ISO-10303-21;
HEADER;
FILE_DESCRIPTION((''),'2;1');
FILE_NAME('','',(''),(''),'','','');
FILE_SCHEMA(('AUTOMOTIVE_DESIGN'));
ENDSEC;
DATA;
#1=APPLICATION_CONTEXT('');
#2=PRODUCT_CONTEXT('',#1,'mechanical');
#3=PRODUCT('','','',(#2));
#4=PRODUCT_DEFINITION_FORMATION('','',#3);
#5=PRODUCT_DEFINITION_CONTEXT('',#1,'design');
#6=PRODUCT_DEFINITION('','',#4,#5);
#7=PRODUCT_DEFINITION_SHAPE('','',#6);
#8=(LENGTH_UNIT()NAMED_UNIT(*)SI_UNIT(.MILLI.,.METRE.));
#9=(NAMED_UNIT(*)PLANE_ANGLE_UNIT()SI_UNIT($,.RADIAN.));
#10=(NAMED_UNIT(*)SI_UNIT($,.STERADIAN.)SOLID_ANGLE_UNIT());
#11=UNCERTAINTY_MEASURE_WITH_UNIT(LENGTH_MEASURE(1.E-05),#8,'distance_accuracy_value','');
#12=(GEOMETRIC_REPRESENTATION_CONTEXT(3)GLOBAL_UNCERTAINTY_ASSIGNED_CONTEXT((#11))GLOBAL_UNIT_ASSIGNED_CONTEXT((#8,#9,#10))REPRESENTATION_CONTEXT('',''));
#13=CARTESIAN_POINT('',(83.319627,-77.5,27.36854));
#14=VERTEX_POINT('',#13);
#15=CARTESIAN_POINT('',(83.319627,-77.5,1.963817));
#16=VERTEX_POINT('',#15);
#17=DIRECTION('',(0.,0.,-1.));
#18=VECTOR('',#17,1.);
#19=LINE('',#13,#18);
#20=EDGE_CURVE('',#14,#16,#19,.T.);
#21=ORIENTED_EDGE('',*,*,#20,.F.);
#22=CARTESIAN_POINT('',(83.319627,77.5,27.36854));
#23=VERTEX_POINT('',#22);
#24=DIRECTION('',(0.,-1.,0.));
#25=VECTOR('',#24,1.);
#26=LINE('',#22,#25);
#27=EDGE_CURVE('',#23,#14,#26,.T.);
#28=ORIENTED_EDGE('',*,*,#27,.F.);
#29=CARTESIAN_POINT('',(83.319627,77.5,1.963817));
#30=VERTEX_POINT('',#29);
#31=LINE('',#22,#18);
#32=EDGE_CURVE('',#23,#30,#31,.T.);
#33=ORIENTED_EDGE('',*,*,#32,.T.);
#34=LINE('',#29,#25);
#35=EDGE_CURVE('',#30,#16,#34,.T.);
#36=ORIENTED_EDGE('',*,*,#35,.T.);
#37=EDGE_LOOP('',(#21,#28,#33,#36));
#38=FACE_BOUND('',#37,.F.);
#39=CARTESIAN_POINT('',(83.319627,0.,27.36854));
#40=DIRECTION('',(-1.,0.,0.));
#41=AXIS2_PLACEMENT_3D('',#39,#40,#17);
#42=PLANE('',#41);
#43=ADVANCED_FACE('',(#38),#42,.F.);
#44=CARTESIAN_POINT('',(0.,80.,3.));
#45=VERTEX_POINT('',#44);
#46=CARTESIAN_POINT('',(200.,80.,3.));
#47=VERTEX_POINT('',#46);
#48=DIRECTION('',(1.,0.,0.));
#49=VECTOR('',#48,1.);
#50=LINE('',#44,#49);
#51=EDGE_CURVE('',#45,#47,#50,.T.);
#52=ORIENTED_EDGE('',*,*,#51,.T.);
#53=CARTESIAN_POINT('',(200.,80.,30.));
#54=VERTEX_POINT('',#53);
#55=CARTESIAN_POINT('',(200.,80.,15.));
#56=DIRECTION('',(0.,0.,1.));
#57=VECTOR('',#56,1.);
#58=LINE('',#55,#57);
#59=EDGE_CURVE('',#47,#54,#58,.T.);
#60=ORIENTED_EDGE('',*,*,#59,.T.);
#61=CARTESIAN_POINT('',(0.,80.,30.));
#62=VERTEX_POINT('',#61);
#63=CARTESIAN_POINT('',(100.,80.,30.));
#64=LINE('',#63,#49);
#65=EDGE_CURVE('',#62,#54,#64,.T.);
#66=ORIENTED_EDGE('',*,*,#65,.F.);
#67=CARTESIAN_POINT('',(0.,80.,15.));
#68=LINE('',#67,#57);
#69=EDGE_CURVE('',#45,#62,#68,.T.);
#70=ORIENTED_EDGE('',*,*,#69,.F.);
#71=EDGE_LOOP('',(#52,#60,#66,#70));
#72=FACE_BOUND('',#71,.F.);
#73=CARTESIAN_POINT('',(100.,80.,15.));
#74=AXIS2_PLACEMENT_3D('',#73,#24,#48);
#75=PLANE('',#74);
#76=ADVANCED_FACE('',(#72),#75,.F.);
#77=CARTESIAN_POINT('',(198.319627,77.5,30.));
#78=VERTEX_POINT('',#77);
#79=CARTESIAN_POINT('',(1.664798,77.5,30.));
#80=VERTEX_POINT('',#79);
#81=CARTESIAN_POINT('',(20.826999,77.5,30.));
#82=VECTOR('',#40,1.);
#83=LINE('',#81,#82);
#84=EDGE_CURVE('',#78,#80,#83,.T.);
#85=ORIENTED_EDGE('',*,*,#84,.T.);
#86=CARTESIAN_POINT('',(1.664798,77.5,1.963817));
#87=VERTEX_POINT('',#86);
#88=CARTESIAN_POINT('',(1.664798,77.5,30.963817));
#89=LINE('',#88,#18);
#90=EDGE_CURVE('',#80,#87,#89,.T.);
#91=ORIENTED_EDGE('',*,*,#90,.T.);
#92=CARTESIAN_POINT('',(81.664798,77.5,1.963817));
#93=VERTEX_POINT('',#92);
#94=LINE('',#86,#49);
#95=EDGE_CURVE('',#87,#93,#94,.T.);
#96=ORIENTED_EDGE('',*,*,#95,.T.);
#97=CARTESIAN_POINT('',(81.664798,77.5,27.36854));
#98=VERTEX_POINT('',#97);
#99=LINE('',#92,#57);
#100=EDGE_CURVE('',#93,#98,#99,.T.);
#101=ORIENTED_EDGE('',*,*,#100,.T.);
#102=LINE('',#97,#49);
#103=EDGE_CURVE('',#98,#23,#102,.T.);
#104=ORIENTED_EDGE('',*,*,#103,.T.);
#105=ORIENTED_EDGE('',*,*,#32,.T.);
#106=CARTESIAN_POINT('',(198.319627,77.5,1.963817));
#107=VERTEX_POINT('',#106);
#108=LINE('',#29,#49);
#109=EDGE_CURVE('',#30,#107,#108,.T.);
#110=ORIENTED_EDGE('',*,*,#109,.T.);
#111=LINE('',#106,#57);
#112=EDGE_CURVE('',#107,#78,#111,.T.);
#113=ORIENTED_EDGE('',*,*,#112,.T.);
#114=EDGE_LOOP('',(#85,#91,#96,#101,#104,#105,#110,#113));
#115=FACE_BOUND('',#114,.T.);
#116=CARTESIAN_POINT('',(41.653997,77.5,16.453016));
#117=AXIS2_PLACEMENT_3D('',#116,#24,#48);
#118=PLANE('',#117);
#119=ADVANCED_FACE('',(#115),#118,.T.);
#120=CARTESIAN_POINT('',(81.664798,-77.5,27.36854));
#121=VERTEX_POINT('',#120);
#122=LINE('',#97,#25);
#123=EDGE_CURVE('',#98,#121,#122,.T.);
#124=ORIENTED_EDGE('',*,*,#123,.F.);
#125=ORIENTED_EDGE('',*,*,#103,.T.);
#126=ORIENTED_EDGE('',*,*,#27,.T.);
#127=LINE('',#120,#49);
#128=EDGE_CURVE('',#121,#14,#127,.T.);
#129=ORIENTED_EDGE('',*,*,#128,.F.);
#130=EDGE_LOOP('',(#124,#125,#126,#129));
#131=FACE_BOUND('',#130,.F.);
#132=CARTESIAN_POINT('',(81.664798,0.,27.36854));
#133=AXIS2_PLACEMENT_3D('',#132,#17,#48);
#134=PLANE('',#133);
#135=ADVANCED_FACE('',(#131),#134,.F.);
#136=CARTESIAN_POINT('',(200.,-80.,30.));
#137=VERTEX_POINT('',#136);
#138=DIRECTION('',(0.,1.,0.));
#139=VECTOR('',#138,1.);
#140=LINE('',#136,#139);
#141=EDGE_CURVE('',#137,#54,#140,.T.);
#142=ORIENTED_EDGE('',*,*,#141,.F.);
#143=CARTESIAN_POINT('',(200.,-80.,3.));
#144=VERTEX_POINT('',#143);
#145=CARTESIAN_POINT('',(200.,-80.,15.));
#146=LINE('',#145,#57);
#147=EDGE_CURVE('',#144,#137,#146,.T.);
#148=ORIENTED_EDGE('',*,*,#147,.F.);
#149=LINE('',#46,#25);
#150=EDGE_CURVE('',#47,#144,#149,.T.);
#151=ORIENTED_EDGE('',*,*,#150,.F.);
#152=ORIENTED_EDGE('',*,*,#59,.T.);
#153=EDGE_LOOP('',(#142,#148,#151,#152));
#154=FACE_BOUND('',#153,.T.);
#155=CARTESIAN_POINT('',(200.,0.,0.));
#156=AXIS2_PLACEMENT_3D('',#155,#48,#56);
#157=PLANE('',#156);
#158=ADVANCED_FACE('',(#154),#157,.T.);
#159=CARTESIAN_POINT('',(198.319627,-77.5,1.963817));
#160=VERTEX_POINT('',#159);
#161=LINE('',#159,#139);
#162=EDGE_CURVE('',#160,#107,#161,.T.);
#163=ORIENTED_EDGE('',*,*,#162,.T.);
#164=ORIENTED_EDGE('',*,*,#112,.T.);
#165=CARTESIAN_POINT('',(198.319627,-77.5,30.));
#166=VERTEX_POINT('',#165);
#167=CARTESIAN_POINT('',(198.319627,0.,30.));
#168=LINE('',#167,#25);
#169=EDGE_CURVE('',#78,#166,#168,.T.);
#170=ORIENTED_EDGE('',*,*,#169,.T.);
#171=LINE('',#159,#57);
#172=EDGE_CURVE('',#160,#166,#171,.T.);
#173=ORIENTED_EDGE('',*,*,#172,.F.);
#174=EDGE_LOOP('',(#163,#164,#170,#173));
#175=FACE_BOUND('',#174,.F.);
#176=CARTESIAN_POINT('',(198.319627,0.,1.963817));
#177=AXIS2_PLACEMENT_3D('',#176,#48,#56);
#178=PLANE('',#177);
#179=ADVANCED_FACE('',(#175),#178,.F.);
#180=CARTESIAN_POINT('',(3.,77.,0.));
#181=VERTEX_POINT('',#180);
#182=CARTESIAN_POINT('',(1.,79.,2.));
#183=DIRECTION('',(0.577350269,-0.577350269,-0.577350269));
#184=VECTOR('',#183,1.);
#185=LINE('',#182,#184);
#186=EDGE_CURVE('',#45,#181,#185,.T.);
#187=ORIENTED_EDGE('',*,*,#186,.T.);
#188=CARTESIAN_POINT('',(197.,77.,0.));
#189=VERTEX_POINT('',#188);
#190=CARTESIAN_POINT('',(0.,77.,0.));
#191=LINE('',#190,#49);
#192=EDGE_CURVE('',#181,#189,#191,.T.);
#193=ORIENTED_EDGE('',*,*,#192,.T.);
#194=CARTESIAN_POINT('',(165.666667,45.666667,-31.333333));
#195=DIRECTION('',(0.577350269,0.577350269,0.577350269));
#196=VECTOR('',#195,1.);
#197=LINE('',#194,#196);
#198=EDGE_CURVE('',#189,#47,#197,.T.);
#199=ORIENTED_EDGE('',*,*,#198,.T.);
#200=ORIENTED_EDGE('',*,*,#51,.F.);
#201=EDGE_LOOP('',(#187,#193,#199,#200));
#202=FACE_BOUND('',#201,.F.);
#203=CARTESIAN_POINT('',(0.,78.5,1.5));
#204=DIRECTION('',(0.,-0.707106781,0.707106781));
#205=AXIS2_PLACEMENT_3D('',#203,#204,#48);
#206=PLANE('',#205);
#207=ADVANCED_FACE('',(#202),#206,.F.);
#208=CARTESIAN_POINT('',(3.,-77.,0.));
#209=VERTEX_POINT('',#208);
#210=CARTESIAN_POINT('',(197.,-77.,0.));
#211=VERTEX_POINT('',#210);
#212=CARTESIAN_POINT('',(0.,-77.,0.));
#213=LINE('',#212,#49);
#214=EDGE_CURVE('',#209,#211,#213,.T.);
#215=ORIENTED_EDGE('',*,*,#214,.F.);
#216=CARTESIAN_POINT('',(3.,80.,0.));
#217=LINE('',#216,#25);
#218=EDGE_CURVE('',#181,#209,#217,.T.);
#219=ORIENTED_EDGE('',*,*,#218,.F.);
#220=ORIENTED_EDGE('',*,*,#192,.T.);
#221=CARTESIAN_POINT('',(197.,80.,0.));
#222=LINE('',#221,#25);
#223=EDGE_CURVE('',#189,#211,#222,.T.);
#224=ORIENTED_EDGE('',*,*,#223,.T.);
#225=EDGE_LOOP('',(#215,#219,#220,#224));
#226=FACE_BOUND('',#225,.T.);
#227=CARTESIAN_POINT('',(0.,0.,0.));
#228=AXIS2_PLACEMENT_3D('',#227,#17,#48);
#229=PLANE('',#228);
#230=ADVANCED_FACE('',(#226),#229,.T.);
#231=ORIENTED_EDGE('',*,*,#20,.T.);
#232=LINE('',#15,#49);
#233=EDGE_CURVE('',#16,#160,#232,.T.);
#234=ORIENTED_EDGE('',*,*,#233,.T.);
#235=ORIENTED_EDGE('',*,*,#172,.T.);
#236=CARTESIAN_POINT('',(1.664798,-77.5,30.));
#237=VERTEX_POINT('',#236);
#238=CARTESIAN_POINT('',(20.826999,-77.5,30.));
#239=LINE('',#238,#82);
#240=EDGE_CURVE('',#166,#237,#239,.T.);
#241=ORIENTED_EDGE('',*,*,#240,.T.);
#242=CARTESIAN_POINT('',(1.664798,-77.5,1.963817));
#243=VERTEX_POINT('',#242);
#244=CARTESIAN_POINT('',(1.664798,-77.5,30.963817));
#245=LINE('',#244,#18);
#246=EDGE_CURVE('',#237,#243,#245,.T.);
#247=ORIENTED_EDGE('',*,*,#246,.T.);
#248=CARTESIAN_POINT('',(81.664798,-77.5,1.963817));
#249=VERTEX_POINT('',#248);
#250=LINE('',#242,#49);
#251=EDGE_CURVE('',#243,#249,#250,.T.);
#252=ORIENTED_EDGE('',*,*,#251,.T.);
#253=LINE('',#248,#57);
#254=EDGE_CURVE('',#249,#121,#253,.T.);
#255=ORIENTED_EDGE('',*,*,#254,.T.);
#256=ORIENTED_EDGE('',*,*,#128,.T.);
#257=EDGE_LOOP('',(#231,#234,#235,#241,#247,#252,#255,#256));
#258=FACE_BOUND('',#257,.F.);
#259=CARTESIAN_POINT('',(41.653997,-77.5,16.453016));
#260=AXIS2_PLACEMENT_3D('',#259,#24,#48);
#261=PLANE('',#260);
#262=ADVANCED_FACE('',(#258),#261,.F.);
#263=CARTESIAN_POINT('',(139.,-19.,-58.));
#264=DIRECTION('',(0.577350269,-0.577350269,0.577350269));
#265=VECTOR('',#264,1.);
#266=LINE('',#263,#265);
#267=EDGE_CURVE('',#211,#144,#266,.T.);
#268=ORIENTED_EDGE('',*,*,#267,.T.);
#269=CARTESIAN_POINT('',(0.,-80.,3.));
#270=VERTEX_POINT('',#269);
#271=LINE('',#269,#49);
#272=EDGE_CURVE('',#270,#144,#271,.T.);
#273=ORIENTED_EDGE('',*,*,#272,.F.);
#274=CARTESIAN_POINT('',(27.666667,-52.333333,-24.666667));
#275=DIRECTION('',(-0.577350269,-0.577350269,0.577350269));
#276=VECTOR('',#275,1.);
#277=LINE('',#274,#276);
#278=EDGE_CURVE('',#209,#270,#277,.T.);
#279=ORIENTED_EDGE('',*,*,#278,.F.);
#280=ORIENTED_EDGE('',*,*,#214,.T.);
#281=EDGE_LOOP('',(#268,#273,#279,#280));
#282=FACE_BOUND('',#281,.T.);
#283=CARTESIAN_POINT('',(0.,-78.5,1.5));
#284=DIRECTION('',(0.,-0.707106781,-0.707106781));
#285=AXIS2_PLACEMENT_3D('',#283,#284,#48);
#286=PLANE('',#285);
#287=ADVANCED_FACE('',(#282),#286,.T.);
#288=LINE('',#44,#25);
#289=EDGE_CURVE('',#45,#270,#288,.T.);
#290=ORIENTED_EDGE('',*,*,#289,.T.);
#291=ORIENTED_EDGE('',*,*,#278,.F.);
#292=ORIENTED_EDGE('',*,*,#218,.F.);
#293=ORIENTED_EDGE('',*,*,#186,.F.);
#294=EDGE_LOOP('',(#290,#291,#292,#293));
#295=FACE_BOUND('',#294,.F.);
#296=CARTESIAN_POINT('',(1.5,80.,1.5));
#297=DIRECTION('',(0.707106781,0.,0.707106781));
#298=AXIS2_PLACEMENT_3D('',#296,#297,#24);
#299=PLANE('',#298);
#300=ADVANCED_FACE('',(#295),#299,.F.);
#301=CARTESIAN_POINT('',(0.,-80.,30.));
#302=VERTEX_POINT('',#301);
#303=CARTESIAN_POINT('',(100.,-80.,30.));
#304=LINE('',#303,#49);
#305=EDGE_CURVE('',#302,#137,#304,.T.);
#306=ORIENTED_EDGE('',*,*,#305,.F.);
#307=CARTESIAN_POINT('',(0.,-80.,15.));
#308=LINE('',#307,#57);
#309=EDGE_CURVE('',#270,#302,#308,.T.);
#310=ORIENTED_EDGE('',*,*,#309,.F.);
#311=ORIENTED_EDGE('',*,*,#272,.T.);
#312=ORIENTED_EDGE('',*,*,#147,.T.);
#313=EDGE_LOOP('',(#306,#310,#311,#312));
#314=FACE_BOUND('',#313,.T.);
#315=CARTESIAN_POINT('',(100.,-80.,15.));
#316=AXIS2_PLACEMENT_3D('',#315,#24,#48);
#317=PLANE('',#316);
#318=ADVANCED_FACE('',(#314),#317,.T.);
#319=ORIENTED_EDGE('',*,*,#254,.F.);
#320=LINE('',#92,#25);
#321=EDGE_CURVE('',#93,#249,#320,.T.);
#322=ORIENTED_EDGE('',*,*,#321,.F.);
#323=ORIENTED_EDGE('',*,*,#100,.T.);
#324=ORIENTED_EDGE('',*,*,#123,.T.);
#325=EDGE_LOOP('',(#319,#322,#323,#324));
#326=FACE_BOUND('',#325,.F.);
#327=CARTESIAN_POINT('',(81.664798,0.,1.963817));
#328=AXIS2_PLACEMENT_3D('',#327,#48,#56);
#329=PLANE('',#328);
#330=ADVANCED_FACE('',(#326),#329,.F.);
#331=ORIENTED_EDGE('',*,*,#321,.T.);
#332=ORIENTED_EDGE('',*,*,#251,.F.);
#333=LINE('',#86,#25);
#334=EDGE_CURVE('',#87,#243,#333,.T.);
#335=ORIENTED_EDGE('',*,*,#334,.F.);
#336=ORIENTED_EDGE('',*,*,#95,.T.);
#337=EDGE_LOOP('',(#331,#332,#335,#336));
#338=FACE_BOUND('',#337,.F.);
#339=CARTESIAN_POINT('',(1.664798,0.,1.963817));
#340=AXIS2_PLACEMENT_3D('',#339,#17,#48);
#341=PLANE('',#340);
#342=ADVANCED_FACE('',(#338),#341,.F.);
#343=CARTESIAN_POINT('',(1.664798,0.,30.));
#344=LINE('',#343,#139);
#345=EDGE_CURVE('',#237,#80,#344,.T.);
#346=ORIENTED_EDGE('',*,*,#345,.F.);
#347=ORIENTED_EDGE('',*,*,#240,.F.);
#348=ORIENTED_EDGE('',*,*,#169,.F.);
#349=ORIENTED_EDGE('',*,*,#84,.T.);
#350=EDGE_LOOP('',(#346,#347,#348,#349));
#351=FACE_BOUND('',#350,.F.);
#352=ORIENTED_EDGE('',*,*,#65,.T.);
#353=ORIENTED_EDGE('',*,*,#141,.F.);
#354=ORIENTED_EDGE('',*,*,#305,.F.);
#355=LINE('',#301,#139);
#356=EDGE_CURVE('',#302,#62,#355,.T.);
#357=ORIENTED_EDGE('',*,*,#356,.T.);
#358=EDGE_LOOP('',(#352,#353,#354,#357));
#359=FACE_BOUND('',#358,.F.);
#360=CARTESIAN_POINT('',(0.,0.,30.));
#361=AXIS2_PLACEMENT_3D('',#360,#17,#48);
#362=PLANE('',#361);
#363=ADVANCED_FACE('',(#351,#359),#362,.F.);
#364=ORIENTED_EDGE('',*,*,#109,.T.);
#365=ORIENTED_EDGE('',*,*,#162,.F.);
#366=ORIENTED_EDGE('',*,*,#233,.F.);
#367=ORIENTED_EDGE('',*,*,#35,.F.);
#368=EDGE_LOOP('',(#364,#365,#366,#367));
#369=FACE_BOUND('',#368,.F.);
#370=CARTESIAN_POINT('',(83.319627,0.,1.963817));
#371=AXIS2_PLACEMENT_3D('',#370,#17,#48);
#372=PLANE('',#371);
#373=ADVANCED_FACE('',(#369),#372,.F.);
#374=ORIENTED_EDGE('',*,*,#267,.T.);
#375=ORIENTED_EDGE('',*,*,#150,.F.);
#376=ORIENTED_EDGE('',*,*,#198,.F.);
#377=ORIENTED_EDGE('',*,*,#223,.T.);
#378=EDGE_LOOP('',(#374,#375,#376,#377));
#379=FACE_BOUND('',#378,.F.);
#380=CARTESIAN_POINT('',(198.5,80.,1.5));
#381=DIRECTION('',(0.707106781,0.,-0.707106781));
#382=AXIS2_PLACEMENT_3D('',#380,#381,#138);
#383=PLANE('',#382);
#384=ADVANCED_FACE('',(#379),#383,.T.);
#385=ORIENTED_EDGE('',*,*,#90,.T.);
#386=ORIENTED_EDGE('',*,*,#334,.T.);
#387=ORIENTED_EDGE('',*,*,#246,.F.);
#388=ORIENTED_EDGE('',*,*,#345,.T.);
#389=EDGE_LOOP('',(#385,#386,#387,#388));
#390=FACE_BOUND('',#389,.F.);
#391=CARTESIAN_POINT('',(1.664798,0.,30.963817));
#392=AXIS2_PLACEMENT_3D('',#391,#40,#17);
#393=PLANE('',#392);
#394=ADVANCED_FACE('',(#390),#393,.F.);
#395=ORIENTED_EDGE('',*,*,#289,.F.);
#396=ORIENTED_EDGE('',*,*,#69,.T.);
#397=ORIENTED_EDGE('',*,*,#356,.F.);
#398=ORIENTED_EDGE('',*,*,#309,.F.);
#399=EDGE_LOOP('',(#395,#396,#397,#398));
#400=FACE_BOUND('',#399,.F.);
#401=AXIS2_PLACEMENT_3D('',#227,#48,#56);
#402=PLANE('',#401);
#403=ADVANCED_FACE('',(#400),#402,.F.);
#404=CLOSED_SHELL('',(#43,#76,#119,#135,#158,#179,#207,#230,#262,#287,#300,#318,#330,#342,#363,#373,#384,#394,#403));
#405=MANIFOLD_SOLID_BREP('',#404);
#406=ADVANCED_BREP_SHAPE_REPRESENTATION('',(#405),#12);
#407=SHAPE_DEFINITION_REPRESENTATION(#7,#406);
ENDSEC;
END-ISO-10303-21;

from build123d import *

# Parameters (mm, degrees)
F0_W     = 200
F0_H     = 30
F1_DEPTH = 80
F2_W     = 0.6549034361
F2_H     = 3.5952763587
F2_W_2   = 1.654828703
F2_W_3   = 2.3097321391
F3_DEPTH = 77.5
F4_SIZE  = 3


with BuildPart() as f1:
    # F0 (on Front) → F1 (new body, symmetric)
    with BuildSketch(Plane.XZ):
        with Locations((100, 15)):
            Rectangle(F0_W, F0_H)
    extrude(amount=F1_DEPTH, both=True)

    # F2 (on Front) → F3 (cut, symmetric)
    with BuildSketch(Plane.XZ):
        Polygon((81.0098946095, 30.9638166718), (1.6647980455, 30.9638166718), (1.6647980455, 1.9638166718), (81.6647980455, 1.9638166718), (81.6647980455, 27.3685403131), (81.0098946095, 27.3685403131), align=None)
        with Locations((81.3373463275, 29.1661784924)):
            Rectangle(F2_W, F2_H)
        with Locations((82.492212397, 29.1661784924)):
            Rectangle(F2_W_2, F2_H)
        with Locations((84.4744928181, 29.1661784924)):
            Rectangle(F2_W_3, F2_H)
        Polygon((85.6293588877, 27.3685403131), (83.3196267486, 27.3685403131), (83.3196267486, 1.9638166718), (198.3196267486, 1.9638166718), (198.3196267486, 30.9638166718), (85.6293588877, 30.9638166718), align=None)
    extrude(amount=F3_DEPTH, both=True, mode=Mode.SUBTRACT)

    # F4
    f4_edges = [f1.edges().sort_by_distance(p)[0] for p in [
        (100, -80, 0),
        (0, 0, 0),
        (100, 80, 0),
        (200, 0, 0),
    ]]
    chamfer(f4_edges, length=F4_SIZE)


solid = f1.part
